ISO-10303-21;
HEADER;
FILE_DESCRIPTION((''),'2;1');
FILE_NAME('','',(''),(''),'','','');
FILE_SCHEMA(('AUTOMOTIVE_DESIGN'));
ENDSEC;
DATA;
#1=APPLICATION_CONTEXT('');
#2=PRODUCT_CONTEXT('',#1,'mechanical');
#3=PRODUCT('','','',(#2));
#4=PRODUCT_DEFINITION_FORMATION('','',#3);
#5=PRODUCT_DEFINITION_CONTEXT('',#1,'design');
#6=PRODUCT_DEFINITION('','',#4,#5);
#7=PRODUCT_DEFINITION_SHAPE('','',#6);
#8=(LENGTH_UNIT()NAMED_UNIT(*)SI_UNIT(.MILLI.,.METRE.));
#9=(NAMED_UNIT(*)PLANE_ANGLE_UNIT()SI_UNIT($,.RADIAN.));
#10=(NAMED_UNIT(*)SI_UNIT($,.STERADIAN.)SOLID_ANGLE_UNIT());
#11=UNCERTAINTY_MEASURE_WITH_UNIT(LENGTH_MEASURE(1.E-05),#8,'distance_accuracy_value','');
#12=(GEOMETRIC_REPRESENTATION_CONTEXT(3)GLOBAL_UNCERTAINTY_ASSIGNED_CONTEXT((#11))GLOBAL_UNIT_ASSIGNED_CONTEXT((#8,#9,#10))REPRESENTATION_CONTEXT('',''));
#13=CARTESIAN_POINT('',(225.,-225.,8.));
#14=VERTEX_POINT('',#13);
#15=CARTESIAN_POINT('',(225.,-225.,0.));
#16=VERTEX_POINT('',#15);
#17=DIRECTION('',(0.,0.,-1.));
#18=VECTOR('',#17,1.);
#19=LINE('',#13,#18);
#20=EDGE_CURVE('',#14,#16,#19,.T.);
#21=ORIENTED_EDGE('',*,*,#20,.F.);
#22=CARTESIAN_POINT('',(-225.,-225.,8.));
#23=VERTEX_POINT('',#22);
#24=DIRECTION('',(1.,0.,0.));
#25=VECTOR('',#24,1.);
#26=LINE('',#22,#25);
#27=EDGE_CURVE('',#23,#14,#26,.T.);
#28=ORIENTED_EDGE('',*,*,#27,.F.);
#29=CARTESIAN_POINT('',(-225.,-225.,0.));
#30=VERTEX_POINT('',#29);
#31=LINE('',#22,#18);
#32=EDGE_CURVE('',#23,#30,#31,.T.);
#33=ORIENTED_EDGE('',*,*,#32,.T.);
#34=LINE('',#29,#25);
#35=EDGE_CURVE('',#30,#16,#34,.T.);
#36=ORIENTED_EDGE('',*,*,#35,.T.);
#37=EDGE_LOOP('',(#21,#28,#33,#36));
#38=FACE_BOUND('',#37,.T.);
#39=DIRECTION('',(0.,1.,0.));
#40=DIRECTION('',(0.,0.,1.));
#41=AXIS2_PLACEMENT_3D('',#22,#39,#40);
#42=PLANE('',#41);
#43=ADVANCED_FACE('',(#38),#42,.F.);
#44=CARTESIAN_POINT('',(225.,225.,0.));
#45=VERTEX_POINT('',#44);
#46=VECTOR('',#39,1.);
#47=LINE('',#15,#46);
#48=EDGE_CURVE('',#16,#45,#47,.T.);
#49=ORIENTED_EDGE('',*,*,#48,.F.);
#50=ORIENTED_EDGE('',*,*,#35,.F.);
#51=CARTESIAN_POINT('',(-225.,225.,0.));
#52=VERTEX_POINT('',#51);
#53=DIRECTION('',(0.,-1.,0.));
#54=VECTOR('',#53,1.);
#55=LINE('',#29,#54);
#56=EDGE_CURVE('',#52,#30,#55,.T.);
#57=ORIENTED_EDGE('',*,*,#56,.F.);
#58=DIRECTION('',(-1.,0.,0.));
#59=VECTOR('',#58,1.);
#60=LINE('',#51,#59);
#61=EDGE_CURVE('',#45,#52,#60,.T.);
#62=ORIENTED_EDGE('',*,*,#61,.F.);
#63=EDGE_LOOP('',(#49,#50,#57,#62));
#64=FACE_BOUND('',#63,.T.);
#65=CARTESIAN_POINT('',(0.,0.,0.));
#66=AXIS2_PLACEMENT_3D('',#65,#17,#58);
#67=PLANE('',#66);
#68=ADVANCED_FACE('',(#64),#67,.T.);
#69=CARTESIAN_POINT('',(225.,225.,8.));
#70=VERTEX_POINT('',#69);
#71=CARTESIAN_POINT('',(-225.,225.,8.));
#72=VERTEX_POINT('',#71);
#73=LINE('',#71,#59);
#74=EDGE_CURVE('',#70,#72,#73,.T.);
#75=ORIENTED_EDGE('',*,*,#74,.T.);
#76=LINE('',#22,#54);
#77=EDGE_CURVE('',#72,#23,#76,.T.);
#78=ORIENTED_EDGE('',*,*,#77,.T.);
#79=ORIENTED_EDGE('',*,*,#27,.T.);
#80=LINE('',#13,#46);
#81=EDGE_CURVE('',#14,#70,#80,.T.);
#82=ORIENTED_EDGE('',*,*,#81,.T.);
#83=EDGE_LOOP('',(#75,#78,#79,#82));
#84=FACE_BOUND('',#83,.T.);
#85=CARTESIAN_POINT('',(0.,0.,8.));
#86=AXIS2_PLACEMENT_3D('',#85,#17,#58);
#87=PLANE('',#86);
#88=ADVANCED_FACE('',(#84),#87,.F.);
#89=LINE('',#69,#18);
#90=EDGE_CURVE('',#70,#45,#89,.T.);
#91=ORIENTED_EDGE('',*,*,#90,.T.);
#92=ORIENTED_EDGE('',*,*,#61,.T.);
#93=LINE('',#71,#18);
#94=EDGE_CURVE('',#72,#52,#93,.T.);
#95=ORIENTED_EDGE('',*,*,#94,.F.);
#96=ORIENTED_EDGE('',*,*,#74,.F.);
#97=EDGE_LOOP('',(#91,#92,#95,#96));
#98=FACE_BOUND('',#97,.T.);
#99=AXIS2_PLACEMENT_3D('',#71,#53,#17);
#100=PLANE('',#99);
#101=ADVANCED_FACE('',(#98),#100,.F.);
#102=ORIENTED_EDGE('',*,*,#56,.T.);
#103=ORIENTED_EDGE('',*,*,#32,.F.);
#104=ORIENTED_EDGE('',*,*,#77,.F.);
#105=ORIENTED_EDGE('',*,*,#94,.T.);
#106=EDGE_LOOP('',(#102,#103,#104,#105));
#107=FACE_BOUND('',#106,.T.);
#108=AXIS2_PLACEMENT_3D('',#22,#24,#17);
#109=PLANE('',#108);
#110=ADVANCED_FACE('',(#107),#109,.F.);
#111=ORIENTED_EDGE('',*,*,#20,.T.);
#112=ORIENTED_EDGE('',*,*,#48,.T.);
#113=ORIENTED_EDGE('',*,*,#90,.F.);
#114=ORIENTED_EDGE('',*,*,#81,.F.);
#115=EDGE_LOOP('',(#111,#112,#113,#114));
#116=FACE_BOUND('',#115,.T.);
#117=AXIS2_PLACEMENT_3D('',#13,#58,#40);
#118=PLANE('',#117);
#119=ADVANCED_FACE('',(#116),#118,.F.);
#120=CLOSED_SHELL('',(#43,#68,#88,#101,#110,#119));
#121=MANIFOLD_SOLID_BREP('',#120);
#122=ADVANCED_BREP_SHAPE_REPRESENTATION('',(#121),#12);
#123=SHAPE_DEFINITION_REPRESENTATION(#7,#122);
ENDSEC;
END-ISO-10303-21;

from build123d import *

# Parameters (mm, degrees)
SKIZZE1_W                       = 450
SKIZZE1_H                       = 450
AUFSATZ_LINEAR_AUSTRAGEN1_DEPTH = 8


with BuildPart() as part:
    # Skizze1 → Aufsatz-Linear austragen1 (new body)
    with BuildSketch(Plane.XY):
        Rectangle(SKIZZE1_W, SKIZZE1_H)
    extrude(amount=AUFSATZ_LINEAR_AUSTRAGEN1_DEPTH)


solid = part.part
